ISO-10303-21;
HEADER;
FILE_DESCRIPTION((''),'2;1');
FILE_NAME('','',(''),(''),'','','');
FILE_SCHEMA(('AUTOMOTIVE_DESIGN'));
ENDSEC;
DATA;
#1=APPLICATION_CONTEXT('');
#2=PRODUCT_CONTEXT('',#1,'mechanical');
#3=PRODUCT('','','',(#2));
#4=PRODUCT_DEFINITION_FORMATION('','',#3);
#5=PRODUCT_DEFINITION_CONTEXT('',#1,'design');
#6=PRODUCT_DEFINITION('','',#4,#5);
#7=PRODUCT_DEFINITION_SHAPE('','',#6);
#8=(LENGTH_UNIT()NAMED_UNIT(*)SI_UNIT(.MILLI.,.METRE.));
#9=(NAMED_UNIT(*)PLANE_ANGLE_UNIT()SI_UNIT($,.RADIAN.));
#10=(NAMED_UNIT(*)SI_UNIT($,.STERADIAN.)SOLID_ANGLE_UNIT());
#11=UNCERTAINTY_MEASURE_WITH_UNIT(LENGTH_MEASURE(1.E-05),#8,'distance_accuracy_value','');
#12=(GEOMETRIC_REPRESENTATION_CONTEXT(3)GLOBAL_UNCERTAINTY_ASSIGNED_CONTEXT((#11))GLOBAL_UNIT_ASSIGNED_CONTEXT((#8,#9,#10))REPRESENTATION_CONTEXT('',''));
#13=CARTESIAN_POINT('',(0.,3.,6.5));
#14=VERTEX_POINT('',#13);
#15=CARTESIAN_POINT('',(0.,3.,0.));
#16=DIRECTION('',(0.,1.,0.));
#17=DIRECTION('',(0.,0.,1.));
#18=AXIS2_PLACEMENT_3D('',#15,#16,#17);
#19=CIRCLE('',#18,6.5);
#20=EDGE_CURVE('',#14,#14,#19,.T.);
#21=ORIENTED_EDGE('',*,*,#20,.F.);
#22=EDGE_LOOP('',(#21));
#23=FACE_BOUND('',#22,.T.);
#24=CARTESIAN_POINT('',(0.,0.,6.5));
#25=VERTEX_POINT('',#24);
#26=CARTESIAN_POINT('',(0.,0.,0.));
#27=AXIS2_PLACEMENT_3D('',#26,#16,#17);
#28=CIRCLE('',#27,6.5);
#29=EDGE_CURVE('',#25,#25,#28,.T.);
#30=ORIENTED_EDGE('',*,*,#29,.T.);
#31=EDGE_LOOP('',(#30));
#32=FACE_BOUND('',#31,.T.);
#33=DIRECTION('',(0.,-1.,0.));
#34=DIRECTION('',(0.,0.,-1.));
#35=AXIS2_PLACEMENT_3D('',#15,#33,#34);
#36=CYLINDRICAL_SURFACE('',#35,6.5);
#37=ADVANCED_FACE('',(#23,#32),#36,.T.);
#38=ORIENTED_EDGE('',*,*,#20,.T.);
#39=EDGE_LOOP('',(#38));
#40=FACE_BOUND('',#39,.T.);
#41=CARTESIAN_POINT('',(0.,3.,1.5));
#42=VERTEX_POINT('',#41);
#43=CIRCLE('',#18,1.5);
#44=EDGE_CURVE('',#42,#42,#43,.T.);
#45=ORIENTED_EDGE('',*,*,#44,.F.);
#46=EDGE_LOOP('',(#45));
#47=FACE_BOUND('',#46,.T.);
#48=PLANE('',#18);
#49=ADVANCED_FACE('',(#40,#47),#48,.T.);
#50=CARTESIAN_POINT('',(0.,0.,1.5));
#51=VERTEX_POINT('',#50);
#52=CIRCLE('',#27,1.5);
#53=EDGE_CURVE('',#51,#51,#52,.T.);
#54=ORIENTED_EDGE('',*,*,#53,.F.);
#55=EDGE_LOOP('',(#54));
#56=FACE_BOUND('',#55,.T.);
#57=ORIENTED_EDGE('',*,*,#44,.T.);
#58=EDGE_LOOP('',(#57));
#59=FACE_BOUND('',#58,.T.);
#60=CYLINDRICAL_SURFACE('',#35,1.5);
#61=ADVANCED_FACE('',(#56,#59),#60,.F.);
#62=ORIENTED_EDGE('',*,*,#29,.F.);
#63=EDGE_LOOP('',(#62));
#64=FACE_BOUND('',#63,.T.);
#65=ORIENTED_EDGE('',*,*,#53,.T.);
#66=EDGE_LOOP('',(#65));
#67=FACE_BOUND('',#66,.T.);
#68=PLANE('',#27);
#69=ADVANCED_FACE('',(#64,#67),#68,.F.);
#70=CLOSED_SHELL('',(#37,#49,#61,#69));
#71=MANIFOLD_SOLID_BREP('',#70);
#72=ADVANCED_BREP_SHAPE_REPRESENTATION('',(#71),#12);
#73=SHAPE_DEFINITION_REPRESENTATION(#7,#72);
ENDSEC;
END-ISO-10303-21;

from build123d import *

# Parameters (mm, degrees)
SKETCH_1_R      = 6.5
SKETCH_1_R_2    = 1.5
EXTRUDE_1_DEPTH = 3


with BuildPart() as part:
    # 草图1 → 凸台-拉伸1 (new body)
    with BuildSketch(Plane(origin=(0, 0, 0), x_dir=(1, 0, 0), z_dir=(0, 1, 0))):
        Circle(SKETCH_1_R)
        Circle(SKETCH_1_R_2, mode=Mode.SUBTRACT)
    extrude(amount=EXTRUDE_1_DEPTH)


solid = part.part
